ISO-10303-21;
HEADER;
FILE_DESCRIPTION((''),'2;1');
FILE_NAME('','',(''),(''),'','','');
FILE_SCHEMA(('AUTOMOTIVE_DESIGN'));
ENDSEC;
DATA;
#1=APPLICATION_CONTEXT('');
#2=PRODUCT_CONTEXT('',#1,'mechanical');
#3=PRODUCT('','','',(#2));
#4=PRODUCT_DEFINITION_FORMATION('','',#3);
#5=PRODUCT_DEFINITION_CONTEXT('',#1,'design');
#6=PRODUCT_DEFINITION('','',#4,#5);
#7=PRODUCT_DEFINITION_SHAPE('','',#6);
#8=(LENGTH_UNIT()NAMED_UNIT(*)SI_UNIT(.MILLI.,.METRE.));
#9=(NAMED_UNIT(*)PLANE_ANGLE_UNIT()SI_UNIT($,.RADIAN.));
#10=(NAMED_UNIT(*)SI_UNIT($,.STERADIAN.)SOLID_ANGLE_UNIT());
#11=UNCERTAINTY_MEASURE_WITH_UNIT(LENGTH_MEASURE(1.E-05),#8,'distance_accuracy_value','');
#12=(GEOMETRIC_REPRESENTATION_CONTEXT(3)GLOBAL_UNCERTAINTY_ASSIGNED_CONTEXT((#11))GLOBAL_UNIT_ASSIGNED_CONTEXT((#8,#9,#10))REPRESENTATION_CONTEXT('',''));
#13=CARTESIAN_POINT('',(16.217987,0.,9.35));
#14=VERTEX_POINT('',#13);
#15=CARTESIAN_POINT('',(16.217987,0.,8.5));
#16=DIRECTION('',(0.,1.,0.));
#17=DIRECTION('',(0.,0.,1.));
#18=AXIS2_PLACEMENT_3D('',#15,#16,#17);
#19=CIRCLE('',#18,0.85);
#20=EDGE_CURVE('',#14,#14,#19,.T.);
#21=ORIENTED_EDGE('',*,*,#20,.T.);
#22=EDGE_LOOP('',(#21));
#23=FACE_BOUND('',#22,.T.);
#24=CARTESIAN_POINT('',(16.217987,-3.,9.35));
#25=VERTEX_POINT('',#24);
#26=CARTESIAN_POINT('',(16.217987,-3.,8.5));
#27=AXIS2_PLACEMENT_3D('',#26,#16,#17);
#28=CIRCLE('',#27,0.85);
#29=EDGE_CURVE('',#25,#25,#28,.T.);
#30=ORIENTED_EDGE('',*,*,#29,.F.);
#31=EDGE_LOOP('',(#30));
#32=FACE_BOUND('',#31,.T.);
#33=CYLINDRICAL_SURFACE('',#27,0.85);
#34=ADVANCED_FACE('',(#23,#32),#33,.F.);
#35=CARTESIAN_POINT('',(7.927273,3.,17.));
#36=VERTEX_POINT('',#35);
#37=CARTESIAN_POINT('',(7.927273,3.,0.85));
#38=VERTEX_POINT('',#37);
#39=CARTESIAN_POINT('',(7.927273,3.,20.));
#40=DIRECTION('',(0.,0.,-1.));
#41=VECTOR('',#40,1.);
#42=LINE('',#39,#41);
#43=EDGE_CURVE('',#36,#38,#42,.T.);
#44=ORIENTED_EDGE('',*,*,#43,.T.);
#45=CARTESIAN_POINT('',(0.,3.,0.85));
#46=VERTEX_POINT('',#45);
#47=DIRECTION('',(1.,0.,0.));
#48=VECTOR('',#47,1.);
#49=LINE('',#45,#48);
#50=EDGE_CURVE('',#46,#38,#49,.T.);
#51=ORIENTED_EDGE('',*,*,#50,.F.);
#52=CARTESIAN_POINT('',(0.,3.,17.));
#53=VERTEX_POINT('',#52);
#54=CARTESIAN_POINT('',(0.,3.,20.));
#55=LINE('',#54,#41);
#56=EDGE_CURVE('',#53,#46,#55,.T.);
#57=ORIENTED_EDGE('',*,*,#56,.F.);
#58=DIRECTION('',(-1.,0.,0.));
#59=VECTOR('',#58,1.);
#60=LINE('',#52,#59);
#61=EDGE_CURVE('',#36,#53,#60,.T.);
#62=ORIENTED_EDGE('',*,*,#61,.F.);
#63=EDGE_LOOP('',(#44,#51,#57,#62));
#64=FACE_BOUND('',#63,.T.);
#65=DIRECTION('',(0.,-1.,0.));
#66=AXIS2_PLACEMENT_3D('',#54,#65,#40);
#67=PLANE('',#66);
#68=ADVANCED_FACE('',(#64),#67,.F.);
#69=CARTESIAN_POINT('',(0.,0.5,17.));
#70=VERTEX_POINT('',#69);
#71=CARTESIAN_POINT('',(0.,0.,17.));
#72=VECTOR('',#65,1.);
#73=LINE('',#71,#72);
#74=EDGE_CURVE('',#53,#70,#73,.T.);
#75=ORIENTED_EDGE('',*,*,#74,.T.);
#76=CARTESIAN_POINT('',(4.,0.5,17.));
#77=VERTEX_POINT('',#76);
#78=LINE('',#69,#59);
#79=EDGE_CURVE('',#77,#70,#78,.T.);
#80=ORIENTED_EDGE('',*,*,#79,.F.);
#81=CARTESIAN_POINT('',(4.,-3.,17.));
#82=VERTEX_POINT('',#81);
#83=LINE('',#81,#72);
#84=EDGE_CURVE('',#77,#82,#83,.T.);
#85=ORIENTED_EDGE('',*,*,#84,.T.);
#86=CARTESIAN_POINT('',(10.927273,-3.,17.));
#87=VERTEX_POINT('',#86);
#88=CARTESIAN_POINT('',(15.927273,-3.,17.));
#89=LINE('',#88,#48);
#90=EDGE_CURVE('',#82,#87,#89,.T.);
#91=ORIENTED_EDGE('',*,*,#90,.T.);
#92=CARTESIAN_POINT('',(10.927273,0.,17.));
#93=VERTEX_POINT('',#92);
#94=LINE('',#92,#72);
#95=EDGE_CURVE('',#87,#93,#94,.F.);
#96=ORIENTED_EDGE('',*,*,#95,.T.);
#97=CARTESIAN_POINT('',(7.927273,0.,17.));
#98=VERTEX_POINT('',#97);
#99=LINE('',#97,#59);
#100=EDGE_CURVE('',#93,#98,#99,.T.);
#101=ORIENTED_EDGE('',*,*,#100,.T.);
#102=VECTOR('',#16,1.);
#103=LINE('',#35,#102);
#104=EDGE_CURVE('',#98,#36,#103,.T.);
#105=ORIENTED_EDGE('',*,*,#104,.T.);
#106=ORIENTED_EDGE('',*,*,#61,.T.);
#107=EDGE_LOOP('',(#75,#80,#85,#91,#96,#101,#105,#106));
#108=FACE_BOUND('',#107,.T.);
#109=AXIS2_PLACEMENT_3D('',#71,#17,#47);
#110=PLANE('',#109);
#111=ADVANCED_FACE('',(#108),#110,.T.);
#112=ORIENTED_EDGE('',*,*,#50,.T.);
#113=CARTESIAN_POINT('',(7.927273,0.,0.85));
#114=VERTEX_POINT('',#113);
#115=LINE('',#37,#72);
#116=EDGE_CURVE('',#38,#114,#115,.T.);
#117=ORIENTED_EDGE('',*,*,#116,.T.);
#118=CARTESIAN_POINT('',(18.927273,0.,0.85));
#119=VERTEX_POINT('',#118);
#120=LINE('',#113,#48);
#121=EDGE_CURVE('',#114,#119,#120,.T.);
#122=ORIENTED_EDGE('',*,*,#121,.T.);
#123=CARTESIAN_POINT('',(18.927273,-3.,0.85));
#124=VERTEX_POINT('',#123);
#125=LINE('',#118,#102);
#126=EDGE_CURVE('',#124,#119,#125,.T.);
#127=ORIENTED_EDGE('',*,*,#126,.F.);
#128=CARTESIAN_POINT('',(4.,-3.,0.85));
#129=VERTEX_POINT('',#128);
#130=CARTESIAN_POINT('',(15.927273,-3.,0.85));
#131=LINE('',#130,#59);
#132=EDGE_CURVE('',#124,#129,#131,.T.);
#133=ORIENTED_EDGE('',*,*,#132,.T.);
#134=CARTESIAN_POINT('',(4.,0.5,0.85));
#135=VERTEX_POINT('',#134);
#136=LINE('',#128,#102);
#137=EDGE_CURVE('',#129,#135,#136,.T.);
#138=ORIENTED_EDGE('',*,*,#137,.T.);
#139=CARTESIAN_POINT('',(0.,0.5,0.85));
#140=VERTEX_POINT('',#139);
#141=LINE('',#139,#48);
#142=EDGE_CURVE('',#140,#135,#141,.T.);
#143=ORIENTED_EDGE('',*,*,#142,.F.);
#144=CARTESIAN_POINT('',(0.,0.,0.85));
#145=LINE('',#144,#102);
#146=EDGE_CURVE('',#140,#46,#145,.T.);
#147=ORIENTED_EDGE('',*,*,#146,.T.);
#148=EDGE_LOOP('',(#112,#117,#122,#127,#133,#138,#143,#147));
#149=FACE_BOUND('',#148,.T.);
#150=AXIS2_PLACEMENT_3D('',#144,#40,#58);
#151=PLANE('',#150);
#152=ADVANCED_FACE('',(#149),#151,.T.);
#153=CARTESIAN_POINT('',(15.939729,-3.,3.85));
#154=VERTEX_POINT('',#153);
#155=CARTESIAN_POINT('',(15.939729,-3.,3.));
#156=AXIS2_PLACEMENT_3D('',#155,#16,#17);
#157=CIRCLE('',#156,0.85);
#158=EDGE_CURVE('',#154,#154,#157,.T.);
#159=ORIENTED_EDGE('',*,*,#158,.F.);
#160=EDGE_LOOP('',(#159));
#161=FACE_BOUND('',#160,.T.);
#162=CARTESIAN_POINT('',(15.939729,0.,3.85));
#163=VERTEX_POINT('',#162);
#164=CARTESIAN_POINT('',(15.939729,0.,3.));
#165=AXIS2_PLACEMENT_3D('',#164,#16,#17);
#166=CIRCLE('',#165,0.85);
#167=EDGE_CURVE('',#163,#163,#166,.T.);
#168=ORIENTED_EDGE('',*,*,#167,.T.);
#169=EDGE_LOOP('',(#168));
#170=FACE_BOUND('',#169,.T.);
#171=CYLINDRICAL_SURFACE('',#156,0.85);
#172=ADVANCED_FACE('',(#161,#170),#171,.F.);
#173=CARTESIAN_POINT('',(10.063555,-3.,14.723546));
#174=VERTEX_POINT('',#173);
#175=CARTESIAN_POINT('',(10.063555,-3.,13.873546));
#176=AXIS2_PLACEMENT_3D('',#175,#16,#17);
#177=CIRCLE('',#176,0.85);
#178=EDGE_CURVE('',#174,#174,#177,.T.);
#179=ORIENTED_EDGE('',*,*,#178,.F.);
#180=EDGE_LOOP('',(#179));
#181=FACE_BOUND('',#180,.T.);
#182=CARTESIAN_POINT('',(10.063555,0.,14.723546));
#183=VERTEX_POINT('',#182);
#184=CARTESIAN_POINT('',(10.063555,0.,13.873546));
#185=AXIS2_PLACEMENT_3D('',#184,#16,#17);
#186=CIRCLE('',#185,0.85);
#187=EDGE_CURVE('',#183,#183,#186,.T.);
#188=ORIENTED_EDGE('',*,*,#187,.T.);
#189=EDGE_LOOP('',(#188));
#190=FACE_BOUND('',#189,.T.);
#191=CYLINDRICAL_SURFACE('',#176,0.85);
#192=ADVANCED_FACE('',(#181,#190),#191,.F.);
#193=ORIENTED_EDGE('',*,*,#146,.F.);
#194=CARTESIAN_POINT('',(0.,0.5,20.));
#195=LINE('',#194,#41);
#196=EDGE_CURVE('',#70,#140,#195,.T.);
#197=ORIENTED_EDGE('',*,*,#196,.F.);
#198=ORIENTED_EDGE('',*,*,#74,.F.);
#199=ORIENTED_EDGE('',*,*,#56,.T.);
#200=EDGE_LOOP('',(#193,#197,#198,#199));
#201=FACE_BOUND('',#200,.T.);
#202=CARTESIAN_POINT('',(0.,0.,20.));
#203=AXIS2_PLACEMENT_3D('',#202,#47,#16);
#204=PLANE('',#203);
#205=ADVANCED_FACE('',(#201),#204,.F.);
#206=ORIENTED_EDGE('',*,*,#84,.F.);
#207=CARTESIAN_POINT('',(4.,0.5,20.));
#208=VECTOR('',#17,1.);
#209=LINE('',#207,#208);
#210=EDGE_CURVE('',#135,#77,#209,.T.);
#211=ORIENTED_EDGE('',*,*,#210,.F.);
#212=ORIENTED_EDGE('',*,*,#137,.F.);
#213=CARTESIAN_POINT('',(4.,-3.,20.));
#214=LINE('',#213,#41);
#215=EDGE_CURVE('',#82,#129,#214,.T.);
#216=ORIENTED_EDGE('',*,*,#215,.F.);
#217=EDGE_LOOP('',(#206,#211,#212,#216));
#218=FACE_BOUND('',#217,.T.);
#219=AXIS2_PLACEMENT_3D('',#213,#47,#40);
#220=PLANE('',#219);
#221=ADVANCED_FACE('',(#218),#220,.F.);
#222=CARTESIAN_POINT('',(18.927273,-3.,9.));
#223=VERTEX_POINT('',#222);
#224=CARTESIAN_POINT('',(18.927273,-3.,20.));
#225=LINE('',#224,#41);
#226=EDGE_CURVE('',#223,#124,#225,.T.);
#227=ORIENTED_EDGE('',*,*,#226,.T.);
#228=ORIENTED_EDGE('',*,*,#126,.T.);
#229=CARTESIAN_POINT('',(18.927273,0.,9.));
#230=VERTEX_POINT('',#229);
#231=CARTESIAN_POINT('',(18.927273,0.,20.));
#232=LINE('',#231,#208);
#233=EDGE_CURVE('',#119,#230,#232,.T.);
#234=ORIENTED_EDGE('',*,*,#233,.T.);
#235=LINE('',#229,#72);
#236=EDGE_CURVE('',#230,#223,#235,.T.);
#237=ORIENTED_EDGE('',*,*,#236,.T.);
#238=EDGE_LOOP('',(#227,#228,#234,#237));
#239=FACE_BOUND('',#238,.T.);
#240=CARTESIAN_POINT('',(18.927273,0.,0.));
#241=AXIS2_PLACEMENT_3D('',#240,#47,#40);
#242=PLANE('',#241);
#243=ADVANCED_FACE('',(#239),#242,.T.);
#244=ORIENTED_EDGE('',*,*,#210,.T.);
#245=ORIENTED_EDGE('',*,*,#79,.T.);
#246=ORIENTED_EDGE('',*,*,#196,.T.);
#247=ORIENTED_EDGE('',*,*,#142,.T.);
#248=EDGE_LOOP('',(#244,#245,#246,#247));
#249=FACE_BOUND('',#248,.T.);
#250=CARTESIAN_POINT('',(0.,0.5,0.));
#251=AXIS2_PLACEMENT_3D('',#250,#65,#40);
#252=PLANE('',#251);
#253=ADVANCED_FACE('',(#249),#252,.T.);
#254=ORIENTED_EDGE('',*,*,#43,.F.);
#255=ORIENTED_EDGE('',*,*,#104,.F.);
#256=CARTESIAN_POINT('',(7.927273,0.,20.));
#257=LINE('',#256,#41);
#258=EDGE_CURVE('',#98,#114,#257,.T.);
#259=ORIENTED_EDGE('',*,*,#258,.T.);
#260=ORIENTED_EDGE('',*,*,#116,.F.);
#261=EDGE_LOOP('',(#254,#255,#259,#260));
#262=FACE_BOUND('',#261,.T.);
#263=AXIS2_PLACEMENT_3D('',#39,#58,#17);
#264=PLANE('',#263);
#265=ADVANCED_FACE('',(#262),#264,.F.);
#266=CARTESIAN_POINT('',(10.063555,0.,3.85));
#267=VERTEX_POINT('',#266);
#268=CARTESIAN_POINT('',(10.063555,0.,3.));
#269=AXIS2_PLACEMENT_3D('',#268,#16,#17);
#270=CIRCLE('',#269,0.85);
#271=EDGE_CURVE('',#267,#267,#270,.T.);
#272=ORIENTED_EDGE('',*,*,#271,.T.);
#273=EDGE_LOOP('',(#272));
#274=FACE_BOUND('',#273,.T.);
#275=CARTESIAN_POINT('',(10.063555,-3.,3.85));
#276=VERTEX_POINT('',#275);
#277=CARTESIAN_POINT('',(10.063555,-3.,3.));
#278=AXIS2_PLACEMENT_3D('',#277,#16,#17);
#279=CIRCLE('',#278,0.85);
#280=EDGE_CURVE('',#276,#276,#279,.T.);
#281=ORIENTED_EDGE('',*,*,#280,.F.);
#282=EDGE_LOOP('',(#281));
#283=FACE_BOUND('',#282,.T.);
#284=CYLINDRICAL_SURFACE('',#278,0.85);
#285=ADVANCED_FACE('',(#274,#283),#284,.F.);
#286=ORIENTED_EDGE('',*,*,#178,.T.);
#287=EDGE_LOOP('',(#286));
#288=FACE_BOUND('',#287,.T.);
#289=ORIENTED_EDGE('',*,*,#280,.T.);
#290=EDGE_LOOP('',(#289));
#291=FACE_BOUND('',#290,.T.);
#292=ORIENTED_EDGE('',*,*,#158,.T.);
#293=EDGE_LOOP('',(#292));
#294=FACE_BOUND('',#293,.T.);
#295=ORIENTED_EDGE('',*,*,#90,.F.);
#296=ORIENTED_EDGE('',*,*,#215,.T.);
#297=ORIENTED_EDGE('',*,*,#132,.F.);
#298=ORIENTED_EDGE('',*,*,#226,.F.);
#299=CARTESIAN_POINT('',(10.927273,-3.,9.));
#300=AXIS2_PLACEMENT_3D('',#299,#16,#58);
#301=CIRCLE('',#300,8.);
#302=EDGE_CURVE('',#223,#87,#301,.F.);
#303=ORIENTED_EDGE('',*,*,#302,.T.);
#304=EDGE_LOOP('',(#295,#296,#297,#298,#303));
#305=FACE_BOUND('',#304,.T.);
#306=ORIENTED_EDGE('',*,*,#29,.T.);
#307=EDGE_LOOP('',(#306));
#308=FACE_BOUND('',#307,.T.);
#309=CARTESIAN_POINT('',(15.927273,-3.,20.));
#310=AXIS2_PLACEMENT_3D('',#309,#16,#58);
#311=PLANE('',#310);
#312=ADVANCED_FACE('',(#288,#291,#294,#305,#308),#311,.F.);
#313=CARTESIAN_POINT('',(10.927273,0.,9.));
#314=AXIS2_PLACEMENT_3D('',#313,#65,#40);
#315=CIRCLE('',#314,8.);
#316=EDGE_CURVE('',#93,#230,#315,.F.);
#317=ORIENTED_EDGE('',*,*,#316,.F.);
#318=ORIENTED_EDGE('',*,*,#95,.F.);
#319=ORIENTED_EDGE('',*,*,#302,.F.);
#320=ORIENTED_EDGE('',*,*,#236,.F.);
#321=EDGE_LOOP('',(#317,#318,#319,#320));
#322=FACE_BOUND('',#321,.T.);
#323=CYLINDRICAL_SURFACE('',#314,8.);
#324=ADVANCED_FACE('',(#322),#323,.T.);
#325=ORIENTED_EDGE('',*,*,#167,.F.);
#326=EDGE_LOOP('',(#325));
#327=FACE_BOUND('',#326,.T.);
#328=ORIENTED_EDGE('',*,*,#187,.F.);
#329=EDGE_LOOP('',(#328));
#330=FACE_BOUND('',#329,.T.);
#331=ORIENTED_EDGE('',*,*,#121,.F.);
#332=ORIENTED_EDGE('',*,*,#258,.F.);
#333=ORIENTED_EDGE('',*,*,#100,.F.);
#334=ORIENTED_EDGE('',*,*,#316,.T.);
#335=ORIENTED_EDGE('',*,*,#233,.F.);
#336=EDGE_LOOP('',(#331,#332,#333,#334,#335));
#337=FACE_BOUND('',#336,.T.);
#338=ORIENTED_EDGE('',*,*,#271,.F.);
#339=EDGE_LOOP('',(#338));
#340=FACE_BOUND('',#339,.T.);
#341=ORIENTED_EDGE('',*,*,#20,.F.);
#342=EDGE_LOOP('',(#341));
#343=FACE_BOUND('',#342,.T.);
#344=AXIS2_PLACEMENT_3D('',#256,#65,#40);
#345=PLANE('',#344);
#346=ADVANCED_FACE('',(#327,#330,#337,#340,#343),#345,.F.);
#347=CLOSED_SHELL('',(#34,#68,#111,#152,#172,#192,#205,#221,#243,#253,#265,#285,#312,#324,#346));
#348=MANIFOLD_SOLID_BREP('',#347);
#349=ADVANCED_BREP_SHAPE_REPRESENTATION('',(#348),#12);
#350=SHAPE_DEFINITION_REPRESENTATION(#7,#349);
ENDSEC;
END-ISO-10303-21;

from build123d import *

# Parameters (mm, degrees)
BOSS_EXTRUDE1_DEPTH = 20
SKETCH3_W           = 8
SKETCH3_H           = 8
CUT_EXTRUDE1_DEPTH  = 10
SKETCH4_R           = 1
CUT_EXTRUDE2_DEPTH  = 10
SKETCH5_W           = 4
SKETCH5_H           = 20
CUT_EXTRUDE3_DEPTH  = 0.5
SKETCH6_W           = 8
SKETCH6_H           = 3
BOSS_EXTRUDE2_DEPTH = 8
SKETCH4_2_R         = 1
BOSS_EXTRUDE3_DEPTH = 3
SKETCH7_W           = 20
SKETCH7_H           = 3
BOSS_EXTRUDE4_DEPTH = 3
SKETCH8_W           = 21.136904569
SKETCH8_H           = 7.074304785
CUT_EXTRUDE4_DEPTH  = 3
SKETCH9_R           = 0.85
CUT_EXTRUDE6_DEPTH  = 3
FILLET1_R           = 8
SKETCH9_5_R         = 0.85
CUT_EXTRUDE8_DEPTH  = 3
SKETCH10_W          = 22.706583138
SKETCH10_H          = 8.880510261
CUT_EXTRUDE9_DEPTH  = 0.85
SKETCH4_3_R         = 1
BOSS_EXTRUDE6_DEPTH = 3


with BuildPart() as part:
    # Sketch1 → Boss-Extrude1 (new body)
    with BuildSketch(Plane.XY):
        Polygon((0, 0), (0, 3), (4, 3), (7.927272727, 3), (7.927272727, 0), (15.927272727, 0), (15.927272727, -3), (7.927272727, -3), (4, -3), (4, 0), align=None)
    extrude(amount=BOSS_EXTRUDE1_DEPTH)

    # Sketch3 → Cut-Extrude1 (cut)
    with BuildSketch(Plane(origin=(0, 0, 0), x_dir=(1, 0, 0), z_dir=(0, 1, 0))):
        with Locations((11.927272727, -16)):
            Rectangle(SKETCH3_W, SKETCH3_H)
    extrude(amount=-CUT_EXTRUDE1_DEPTH, mode=Mode.SUBTRACT)

    # Sketch4 → Cut-Extrude2 (cut)
    with BuildSketch(Plane(origin=(0, 0, 0), x_dir=(1, 0, 0), z_dir=(0, 1, 0))):
        with Locations((11.93972935, -3)):
            Circle(SKETCH4_R)
        with Locations((11.93972935, -9)):
            Circle(SKETCH4_R)
    extrude(amount=-CUT_EXTRUDE2_DEPTH, mode=Mode.SUBTRACT)

    # Sketch5 → Cut-Extrude3 (cut)
    with BuildSketch(Plane.XZ):
        with Locations((2, 10)):
            Rectangle(SKETCH5_W, SKETCH5_H)
    extrude(amount=-CUT_EXTRUDE3_DEPTH, mode=Mode.SUBTRACT)

    # Sketch6 → Boss-Extrude2 (add)
    with BuildSketch(Plane.XY.offset(12)):
        with Locations((11.927272727, -1.5)):
            Rectangle(SKETCH6_W, SKETCH6_H)
    extrude(amount=BOSS_EXTRUDE2_DEPTH)

    # Sketch4<2> → Boss-Extrude3 (add)
    with BuildSketch(Plane(origin=(0, 0, 0), x_dir=(1, 0, 0), z_dir=(0, 1, 0))):
        with Locations((11.93972935, -9)):
            Circle(SKETCH4_2_R)
    extrude(amount=-BOSS_EXTRUDE3_DEPTH)

    # Sketch7 → Boss-Extrude4 (add)
    with BuildSketch(Plane(origin=(15.927272727, 0, 0), x_dir=(0, 0, -1), z_dir=(1, 0, 0))):
        with Locations((-10, -1.5)):
            Rectangle(SKETCH7_W, SKETCH7_H)
    extrude(amount=BOSS_EXTRUDE4_DEPTH)

    # Sketch8 → Cut-Extrude4 (cut)
    with BuildSketch(Plane.XY.offset(20)):
        with Locations((9.151850895, 0.075258561)):
            Rectangle(SKETCH8_W, SKETCH8_H)
    extrude(amount=-CUT_EXTRUDE4_DEPTH, mode=Mode.SUBTRACT)

    # Sketch9 → Cut-Extrude6 (cut)
    with BuildSketch(Plane(origin=(0, 0, 0), x_dir=(1, 0, 0), z_dir=(0, 1, 0))):
        with Locations((10.063554841, -13.873545982)):
            Circle(SKETCH9_R)
    extrude(amount=-CUT_EXTRUDE6_DEPTH, mode=Mode.SUBTRACT)

    # Fillet1
    fillet1_edges = [part.edges().sort_by_distance(p)[0] for p in [
        (18.927272727, -1.5, 17),
    ]]
    fillet(fillet1_edges, radius=FILLET1_R)

    # Sketch9<5> → Cut-Extrude8 (cut)
    with BuildSketch(Plane(origin=(0, 0, 0), x_dir=(1, 0, 0), z_dir=(0, 1, 0))):
        with Locations((10.063554841, -13.873545982)):
            Circle(SKETCH9_5_R)
        with Locations((15.93972935, -3)):
            Circle(SKETCH9_5_R)
        with Locations((16.217987441, -8.5)):
            Circle(SKETCH9_5_R)
        with Locations((10.063554841, -3)):
            Circle(SKETCH9_5_R)
    extrude(amount=-CUT_EXTRUDE8_DEPTH, mode=Mode.SUBTRACT)

    # Sketch10 → Cut-Extrude9 (cut)
    with BuildSketch(Plane(origin=(0, 0, 0), x_dir=(-1, 0, 0), z_dir=(0, 0, -1))):
        with Locations((-10.194719533, 0.225775684)):
            Rectangle(SKETCH10_W, SKETCH10_H)
    extrude(amount=-CUT_EXTRUDE9_DEPTH, mode=Mode.SUBTRACT)

    # Sketch4<3> → Boss-Extrude6 (add)
    with BuildSketch(Plane(origin=(0, 0, 0), x_dir=(1, 0, 0), z_dir=(0, 1, 0))):
        with Locations((11.93972935, -3)):
            Circle(SKETCH4_3_R)
    extrude(amount=-BOSS_EXTRUDE6_DEPTH)


solid = part.part
